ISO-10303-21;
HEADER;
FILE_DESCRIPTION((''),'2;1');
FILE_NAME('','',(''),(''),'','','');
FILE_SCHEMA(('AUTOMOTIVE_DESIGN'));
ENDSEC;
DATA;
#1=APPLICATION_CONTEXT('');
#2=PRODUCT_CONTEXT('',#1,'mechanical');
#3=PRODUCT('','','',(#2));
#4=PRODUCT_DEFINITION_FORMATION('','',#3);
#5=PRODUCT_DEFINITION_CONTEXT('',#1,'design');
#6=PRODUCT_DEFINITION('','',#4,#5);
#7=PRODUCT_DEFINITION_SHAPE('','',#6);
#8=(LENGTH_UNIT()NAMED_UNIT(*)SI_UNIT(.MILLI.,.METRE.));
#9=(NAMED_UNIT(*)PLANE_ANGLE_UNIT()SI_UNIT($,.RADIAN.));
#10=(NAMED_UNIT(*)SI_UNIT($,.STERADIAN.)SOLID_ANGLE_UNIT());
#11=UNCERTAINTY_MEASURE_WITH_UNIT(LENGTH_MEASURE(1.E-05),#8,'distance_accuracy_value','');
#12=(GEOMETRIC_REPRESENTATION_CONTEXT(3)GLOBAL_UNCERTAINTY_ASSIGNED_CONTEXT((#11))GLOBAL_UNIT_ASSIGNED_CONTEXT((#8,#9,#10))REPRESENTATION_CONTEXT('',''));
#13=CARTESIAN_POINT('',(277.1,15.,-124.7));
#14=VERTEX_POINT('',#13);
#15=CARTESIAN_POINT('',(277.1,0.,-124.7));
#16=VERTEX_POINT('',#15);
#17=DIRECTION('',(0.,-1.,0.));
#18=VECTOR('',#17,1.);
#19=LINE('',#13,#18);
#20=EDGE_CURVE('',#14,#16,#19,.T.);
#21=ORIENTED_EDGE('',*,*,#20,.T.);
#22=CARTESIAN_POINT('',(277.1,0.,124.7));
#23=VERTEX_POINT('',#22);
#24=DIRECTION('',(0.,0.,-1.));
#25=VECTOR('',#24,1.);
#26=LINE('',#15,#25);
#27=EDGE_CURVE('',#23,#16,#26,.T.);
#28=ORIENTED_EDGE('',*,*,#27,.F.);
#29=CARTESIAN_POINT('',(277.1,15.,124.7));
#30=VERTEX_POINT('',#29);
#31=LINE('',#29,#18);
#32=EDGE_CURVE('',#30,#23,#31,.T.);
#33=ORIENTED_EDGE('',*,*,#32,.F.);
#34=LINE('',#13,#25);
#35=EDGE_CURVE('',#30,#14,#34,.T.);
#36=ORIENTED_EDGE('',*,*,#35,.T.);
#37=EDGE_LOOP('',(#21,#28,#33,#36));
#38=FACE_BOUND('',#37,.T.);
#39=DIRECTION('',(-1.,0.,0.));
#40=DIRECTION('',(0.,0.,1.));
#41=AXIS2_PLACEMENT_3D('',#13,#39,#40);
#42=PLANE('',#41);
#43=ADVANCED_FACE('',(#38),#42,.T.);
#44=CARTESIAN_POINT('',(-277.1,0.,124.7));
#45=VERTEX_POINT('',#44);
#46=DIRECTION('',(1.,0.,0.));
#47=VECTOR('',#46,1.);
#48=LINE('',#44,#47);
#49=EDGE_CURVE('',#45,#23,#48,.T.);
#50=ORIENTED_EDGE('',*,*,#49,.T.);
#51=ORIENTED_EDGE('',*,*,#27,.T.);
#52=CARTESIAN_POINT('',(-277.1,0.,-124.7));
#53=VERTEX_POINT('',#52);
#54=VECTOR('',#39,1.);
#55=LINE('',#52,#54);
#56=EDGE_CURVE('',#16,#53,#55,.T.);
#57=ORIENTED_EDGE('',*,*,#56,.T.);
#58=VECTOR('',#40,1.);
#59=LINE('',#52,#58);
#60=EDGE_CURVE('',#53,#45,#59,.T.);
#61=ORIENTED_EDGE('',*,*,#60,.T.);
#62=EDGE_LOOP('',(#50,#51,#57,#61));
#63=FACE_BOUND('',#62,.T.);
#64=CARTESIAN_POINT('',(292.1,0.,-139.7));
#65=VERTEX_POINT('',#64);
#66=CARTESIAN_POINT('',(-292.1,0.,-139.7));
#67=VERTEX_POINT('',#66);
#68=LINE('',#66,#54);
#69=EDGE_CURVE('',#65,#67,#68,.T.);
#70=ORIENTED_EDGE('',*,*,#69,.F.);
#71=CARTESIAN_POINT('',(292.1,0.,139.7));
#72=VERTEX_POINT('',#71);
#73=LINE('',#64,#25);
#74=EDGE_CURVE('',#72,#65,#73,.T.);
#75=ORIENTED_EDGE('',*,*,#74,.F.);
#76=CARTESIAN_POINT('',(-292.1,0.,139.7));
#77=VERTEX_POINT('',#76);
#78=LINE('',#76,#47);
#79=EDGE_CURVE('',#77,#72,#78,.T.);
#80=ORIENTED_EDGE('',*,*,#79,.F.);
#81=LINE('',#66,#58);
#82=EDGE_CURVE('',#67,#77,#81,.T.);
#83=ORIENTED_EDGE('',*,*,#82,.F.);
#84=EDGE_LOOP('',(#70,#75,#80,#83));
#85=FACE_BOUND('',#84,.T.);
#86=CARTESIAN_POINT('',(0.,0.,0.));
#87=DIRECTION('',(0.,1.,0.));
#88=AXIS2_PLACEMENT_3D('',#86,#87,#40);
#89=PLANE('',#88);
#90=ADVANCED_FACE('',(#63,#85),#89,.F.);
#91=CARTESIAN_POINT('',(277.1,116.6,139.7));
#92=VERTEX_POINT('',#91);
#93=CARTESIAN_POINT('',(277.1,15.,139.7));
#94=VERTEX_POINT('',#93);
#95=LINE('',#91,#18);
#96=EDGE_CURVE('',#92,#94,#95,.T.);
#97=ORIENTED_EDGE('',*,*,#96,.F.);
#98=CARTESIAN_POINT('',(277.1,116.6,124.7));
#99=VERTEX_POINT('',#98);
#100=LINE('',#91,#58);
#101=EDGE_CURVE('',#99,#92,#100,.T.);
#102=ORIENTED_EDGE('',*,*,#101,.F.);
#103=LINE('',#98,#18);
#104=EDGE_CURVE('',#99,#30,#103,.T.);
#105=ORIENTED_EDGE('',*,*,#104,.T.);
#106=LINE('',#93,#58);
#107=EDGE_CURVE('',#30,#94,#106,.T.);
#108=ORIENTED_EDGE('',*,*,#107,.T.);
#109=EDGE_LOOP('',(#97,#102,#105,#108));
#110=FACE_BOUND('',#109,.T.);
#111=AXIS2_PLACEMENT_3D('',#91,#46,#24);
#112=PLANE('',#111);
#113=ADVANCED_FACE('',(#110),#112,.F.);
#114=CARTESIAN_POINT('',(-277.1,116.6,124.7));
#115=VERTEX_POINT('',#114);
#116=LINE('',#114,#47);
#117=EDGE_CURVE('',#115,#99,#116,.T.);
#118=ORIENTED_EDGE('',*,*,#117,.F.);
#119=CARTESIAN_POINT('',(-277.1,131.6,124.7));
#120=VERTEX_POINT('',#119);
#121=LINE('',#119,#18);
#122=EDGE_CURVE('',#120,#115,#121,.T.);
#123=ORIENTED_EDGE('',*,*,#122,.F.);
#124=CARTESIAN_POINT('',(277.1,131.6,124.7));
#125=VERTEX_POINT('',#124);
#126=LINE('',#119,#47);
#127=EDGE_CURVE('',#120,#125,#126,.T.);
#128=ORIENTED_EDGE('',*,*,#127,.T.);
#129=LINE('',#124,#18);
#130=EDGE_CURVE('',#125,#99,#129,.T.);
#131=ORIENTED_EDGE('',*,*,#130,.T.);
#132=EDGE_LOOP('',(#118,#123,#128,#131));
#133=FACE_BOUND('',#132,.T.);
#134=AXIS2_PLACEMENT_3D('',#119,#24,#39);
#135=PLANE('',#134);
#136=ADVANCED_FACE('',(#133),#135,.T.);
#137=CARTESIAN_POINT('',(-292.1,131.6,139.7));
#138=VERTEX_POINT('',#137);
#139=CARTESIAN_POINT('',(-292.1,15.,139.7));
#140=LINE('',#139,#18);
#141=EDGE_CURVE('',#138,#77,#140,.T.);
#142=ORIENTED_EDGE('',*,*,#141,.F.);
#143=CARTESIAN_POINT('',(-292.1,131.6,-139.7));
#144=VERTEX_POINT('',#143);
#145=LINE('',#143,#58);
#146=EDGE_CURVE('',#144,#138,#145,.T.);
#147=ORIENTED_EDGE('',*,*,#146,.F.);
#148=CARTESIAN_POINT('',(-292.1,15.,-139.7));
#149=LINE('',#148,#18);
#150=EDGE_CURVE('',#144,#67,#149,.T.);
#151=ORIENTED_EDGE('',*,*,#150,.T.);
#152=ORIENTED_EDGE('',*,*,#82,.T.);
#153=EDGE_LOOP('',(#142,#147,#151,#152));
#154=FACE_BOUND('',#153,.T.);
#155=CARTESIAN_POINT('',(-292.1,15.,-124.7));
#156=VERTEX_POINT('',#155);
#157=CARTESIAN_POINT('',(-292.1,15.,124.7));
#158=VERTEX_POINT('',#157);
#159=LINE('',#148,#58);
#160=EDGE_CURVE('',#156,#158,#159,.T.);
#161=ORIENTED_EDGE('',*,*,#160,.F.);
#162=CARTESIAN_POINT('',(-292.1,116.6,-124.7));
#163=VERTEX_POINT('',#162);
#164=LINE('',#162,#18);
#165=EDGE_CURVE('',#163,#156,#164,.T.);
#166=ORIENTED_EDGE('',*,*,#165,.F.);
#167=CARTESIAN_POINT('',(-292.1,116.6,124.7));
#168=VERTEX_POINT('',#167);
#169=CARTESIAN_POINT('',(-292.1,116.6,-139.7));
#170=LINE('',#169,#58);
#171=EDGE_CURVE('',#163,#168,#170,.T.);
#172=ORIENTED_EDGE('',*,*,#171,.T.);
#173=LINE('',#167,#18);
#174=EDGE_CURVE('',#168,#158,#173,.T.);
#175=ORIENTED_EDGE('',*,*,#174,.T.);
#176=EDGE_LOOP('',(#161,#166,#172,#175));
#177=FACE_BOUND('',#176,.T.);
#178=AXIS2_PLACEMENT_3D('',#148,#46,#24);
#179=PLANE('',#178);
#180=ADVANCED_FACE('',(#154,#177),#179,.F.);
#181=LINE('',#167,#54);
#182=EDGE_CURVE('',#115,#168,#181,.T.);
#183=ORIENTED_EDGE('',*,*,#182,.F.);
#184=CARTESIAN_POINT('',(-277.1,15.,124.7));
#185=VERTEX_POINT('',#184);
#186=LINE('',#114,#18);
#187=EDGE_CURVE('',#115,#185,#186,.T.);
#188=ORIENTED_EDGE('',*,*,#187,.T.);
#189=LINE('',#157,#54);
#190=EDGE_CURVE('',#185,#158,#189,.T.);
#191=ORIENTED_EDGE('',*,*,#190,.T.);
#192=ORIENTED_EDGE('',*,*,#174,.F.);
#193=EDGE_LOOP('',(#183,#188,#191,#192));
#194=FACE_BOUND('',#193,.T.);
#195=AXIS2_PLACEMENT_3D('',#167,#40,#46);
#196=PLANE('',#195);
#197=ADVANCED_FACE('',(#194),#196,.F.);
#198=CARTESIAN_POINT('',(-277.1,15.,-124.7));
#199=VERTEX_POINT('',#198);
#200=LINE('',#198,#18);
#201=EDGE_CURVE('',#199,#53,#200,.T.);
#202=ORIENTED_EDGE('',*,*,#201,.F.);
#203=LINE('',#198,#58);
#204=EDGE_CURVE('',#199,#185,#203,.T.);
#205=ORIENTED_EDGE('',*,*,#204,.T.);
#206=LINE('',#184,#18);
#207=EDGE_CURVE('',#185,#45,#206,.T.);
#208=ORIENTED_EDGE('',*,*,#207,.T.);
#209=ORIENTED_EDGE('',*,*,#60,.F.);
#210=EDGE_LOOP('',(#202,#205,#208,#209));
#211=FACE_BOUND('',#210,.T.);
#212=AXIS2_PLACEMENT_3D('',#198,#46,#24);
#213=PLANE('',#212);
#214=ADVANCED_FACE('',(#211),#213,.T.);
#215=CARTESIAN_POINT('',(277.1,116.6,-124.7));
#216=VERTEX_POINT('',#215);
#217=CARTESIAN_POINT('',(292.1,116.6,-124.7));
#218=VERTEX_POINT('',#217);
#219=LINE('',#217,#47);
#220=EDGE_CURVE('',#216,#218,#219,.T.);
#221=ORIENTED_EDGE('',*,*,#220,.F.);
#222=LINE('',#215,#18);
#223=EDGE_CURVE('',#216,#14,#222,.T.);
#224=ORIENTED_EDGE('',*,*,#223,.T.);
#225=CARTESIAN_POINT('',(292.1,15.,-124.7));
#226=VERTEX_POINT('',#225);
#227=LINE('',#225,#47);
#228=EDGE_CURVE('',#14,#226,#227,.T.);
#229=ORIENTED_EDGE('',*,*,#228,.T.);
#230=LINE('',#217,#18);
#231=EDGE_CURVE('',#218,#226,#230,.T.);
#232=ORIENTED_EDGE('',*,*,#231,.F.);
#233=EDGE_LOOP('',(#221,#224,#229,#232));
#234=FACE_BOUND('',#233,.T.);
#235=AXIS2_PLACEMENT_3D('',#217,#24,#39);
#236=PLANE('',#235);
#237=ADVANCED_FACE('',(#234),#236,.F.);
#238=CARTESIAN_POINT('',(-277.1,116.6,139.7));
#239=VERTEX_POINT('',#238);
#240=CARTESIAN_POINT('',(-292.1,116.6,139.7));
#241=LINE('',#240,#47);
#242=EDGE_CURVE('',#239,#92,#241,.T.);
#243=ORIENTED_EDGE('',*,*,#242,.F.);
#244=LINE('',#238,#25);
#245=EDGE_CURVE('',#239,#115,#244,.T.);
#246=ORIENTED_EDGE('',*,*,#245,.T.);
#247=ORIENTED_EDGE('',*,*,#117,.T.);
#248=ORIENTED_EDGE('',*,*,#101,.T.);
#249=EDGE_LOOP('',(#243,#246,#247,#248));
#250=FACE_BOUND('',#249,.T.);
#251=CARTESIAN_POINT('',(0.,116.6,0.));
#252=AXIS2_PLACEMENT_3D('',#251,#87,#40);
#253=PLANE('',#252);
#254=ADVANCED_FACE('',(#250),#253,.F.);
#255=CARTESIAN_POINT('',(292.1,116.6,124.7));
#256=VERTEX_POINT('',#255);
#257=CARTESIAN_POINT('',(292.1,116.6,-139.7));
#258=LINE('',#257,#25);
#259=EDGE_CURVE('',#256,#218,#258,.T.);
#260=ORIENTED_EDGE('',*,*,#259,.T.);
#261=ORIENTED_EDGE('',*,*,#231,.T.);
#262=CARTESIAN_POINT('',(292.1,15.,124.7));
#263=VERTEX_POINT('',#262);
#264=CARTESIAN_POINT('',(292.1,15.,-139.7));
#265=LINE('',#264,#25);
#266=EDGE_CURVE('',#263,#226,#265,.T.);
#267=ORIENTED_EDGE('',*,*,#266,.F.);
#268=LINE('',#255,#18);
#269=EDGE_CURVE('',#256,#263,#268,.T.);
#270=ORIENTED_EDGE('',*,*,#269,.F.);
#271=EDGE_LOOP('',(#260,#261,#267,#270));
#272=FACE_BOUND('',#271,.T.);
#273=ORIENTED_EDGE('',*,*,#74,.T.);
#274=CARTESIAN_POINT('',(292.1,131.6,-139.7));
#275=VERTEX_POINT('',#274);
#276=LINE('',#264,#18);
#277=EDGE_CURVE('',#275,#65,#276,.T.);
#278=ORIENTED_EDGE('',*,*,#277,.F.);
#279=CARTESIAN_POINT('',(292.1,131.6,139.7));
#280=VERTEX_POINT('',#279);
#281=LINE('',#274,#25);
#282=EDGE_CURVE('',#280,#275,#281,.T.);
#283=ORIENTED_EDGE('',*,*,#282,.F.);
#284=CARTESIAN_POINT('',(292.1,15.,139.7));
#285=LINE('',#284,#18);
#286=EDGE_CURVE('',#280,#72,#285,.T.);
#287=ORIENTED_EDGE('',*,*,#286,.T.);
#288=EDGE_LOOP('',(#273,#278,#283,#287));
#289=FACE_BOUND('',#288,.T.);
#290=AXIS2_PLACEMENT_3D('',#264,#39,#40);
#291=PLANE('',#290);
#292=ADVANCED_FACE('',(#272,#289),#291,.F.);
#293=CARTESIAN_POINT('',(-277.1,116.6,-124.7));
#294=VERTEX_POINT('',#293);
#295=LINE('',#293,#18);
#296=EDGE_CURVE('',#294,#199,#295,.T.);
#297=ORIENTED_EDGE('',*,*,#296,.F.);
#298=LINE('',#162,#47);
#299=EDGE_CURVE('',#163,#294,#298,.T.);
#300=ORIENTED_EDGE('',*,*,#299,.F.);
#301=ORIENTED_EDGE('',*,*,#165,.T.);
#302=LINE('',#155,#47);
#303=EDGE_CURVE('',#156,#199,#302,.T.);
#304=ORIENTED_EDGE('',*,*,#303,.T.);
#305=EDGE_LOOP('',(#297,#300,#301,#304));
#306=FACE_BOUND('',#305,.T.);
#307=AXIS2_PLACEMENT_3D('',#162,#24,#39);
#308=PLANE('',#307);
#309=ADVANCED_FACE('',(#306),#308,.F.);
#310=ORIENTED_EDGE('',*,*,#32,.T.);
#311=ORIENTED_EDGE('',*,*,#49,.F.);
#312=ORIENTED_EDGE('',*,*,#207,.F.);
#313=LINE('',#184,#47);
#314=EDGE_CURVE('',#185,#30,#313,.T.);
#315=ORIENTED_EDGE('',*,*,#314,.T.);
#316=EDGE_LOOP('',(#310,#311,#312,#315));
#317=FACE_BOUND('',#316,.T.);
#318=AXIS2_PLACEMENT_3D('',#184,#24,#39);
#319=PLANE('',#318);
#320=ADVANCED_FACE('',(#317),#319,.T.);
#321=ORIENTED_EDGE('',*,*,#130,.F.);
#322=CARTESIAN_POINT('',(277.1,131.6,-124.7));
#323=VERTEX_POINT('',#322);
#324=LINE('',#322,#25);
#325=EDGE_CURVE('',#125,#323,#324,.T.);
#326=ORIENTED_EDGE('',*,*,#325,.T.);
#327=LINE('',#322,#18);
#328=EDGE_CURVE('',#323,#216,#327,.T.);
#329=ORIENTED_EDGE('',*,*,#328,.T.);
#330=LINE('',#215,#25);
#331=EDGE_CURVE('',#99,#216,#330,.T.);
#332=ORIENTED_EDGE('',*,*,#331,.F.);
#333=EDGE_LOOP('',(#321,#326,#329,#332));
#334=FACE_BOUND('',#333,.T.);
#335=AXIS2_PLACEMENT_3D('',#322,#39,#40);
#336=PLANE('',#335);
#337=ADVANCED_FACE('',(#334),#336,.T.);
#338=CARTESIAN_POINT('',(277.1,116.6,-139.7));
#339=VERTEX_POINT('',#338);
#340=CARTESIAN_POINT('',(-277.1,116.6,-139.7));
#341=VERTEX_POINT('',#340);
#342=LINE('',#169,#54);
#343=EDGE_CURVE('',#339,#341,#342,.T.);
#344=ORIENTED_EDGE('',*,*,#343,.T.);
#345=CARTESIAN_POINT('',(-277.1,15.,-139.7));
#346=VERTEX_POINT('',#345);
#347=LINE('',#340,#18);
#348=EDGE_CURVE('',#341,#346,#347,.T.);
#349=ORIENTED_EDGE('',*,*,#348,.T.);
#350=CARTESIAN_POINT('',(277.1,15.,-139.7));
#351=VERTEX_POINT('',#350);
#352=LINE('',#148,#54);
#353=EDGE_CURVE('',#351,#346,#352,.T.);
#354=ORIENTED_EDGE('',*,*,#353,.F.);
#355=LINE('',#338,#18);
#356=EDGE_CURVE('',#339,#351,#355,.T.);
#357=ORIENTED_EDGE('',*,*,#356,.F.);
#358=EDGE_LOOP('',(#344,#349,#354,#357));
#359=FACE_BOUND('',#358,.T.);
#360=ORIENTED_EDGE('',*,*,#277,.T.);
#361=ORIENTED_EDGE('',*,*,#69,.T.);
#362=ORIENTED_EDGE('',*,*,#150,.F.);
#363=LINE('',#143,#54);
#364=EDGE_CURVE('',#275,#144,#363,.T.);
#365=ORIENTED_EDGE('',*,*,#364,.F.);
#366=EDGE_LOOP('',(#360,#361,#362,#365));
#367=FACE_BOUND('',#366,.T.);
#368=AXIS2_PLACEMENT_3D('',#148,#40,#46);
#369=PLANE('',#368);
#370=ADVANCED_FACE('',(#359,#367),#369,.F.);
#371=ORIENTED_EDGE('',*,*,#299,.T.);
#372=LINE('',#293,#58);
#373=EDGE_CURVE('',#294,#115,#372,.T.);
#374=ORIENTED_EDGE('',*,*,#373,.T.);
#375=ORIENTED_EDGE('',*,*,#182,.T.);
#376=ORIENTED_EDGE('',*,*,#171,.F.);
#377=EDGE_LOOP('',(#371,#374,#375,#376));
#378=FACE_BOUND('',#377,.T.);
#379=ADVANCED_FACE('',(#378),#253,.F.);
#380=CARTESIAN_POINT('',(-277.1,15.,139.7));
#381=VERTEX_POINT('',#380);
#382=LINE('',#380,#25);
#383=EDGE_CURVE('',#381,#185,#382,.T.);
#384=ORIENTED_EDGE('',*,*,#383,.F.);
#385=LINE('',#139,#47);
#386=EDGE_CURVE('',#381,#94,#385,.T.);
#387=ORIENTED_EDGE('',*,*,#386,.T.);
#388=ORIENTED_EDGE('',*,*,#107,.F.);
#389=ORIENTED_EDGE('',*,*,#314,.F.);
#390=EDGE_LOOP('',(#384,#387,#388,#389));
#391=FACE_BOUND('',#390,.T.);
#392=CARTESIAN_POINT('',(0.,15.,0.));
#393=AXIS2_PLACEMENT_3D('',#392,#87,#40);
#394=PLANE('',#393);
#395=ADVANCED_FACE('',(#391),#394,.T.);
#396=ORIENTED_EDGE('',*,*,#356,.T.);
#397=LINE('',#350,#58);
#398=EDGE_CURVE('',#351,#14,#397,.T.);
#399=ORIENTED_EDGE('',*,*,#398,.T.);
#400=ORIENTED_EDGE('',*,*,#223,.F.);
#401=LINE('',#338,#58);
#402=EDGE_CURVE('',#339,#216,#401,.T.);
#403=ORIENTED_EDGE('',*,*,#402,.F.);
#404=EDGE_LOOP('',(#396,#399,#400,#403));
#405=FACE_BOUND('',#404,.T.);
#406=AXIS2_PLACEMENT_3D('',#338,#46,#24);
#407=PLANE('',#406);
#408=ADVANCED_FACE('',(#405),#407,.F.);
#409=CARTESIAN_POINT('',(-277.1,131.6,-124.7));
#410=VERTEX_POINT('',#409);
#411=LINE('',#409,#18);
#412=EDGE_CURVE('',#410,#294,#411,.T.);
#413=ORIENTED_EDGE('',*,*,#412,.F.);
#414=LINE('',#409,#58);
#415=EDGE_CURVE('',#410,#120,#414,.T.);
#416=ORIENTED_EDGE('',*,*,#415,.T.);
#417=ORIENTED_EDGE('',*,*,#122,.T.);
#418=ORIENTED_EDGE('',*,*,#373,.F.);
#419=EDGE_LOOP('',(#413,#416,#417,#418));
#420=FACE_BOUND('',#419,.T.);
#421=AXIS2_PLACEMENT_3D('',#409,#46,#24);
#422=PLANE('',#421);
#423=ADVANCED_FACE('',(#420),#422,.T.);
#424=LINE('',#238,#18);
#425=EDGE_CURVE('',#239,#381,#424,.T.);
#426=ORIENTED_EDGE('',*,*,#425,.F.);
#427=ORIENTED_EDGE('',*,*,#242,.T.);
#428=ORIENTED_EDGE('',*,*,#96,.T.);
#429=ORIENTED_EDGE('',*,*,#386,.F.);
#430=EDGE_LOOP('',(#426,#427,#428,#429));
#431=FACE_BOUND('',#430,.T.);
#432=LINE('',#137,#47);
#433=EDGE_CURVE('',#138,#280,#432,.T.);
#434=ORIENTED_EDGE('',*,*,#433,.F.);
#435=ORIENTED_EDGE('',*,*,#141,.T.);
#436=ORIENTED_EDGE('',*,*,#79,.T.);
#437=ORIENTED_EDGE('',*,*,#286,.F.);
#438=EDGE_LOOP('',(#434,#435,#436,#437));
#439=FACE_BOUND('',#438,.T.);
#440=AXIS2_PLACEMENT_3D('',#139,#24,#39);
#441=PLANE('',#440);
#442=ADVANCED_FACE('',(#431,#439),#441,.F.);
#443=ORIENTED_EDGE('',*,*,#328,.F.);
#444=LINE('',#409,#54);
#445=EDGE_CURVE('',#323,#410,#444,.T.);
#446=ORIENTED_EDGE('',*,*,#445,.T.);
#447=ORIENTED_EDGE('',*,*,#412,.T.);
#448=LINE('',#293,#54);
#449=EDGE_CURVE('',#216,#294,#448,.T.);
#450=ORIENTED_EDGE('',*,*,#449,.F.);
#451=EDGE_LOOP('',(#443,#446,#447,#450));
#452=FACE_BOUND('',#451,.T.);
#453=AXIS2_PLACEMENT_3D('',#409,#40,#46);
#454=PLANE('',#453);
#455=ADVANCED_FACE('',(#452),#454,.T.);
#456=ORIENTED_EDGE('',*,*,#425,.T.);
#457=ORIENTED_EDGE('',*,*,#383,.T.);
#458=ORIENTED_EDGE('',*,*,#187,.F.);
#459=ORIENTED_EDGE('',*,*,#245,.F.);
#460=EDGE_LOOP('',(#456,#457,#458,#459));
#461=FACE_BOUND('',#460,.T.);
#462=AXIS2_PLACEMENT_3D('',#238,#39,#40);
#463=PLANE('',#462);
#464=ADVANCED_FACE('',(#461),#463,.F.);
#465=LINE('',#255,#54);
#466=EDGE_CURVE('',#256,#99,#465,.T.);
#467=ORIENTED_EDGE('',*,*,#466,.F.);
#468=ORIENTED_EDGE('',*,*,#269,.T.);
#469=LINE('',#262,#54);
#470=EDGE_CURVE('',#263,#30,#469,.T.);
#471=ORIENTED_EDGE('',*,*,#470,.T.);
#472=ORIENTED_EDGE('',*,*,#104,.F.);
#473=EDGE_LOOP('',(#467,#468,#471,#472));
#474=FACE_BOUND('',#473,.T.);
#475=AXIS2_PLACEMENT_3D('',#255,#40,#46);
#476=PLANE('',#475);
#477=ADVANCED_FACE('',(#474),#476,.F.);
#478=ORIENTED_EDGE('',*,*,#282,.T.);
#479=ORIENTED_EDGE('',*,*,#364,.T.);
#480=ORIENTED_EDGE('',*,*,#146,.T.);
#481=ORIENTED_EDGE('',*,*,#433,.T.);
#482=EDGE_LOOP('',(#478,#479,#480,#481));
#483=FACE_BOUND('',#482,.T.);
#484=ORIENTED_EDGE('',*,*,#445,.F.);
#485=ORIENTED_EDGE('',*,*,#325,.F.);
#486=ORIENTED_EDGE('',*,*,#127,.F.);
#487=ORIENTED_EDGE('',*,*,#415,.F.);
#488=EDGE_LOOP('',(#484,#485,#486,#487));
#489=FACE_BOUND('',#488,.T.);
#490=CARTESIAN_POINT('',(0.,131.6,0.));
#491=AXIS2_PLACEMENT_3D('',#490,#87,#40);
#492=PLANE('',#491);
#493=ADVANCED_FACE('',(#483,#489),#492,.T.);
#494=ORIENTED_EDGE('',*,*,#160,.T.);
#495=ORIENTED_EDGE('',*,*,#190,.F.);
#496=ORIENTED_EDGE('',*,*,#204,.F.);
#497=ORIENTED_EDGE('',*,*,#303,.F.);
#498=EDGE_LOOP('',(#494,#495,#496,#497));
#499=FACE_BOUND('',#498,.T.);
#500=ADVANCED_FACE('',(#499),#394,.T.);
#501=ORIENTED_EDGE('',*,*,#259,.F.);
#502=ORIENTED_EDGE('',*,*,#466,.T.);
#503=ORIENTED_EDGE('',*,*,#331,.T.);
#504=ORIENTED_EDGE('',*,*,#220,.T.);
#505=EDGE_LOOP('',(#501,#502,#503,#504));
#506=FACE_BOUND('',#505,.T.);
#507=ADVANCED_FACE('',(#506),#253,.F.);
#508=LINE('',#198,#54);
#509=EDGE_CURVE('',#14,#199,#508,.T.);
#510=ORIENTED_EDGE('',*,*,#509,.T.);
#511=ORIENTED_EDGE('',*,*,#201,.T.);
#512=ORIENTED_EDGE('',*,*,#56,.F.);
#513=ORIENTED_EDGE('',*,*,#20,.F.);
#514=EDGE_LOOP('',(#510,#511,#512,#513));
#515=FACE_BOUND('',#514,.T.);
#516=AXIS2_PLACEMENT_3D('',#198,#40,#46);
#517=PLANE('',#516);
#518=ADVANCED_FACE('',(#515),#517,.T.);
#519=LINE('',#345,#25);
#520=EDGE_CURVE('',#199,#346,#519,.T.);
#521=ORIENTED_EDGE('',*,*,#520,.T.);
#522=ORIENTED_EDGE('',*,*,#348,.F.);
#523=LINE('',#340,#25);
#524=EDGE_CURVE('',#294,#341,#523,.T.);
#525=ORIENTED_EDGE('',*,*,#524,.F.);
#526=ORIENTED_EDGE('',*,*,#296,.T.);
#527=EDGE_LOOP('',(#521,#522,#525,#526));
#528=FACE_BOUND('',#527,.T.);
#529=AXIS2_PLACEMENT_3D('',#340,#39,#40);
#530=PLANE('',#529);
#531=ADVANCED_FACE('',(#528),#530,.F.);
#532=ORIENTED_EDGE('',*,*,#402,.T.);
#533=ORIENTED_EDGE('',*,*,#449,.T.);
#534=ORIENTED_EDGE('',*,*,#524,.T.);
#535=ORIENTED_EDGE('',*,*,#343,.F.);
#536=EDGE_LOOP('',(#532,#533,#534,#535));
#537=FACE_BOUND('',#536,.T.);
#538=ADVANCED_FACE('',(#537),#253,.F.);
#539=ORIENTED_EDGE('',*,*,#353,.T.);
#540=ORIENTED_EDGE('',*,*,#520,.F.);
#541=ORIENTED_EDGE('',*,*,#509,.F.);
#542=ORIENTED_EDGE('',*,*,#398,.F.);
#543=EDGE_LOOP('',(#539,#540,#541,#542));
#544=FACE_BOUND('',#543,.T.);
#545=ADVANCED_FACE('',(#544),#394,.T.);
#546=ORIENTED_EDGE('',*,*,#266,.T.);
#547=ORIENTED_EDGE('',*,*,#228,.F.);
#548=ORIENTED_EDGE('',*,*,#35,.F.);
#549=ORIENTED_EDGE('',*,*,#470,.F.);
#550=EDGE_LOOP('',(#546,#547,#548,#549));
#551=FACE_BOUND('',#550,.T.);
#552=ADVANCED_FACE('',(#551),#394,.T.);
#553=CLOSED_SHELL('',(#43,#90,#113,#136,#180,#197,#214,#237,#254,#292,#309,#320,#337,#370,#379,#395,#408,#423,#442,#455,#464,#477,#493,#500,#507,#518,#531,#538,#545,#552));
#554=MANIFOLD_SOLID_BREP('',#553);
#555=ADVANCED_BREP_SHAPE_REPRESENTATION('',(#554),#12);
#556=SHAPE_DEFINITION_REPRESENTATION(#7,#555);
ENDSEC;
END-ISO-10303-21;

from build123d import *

# Parameters (mm, degrees)
SKETCH3_W           = 584.2
SKETCH3_H           = 279.4
SKETCH3_W_2         = 554.2
SKETCH3_H_2         = 249.4
BOSS_EXTRUDE3_DEPTH = 15
SKETCH4_W           = 15
SKETCH4_H           = 15
BOSS_EXTRUDE4_DEPTH = 101.6
SKETCH5_W           = 584.2
SKETCH5_H           = 279.4
SKETCH5_W_2         = 554.2
SKETCH5_H_2         = 249.4
BOSS_EXTRUDE6_DEPTH = 15


with BuildPart() as part:
    # Sketch3 → Boss-Extrude3 (new body)
    with BuildSketch(Plane(origin=(0, 0, 0), x_dir=(1, 0, 0), z_dir=(0, 1, 0))):
        Rectangle(SKETCH3_W, SKETCH3_H)
        Rectangle(SKETCH3_W_2, SKETCH3_H_2, mode=Mode.SUBTRACT)
    extrude(amount=BOSS_EXTRUDE3_DEPTH)

    # Sketch4 → Boss-Extrude4 (add)
    with BuildSketch(Plane(origin=(0, 15, 0), x_dir=(1, 0, 0), z_dir=(0, 1, 0))):
        with Locations((-284.6, 132.2)):
            Rectangle(SKETCH4_W, SKETCH4_H)
        with Locations((-284.6, -132.2)):
            Rectangle(SKETCH4_W, SKETCH4_H)
        with Locations((284.6, -132.2)):
            Rectangle(SKETCH4_W, SKETCH4_H)
        with Locations((284.6, 132.2)):
            Rectangle(SKETCH4_W, SKETCH4_H)
    extrude(amount=BOSS_EXTRUDE4_DEPTH)

    # Sketch5 → Boss-Extrude6 (add)
    with BuildSketch(Plane(origin=(0, 116.6, 0), x_dir=(1, 0, 0), z_dir=(0, 1, 0))):
        Rectangle(SKETCH5_W, SKETCH5_H)
        Rectangle(SKETCH5_W_2, SKETCH5_H_2, mode=Mode.SUBTRACT)
    extrude(amount=BOSS_EXTRUDE6_DEPTH)


solid = part.part
